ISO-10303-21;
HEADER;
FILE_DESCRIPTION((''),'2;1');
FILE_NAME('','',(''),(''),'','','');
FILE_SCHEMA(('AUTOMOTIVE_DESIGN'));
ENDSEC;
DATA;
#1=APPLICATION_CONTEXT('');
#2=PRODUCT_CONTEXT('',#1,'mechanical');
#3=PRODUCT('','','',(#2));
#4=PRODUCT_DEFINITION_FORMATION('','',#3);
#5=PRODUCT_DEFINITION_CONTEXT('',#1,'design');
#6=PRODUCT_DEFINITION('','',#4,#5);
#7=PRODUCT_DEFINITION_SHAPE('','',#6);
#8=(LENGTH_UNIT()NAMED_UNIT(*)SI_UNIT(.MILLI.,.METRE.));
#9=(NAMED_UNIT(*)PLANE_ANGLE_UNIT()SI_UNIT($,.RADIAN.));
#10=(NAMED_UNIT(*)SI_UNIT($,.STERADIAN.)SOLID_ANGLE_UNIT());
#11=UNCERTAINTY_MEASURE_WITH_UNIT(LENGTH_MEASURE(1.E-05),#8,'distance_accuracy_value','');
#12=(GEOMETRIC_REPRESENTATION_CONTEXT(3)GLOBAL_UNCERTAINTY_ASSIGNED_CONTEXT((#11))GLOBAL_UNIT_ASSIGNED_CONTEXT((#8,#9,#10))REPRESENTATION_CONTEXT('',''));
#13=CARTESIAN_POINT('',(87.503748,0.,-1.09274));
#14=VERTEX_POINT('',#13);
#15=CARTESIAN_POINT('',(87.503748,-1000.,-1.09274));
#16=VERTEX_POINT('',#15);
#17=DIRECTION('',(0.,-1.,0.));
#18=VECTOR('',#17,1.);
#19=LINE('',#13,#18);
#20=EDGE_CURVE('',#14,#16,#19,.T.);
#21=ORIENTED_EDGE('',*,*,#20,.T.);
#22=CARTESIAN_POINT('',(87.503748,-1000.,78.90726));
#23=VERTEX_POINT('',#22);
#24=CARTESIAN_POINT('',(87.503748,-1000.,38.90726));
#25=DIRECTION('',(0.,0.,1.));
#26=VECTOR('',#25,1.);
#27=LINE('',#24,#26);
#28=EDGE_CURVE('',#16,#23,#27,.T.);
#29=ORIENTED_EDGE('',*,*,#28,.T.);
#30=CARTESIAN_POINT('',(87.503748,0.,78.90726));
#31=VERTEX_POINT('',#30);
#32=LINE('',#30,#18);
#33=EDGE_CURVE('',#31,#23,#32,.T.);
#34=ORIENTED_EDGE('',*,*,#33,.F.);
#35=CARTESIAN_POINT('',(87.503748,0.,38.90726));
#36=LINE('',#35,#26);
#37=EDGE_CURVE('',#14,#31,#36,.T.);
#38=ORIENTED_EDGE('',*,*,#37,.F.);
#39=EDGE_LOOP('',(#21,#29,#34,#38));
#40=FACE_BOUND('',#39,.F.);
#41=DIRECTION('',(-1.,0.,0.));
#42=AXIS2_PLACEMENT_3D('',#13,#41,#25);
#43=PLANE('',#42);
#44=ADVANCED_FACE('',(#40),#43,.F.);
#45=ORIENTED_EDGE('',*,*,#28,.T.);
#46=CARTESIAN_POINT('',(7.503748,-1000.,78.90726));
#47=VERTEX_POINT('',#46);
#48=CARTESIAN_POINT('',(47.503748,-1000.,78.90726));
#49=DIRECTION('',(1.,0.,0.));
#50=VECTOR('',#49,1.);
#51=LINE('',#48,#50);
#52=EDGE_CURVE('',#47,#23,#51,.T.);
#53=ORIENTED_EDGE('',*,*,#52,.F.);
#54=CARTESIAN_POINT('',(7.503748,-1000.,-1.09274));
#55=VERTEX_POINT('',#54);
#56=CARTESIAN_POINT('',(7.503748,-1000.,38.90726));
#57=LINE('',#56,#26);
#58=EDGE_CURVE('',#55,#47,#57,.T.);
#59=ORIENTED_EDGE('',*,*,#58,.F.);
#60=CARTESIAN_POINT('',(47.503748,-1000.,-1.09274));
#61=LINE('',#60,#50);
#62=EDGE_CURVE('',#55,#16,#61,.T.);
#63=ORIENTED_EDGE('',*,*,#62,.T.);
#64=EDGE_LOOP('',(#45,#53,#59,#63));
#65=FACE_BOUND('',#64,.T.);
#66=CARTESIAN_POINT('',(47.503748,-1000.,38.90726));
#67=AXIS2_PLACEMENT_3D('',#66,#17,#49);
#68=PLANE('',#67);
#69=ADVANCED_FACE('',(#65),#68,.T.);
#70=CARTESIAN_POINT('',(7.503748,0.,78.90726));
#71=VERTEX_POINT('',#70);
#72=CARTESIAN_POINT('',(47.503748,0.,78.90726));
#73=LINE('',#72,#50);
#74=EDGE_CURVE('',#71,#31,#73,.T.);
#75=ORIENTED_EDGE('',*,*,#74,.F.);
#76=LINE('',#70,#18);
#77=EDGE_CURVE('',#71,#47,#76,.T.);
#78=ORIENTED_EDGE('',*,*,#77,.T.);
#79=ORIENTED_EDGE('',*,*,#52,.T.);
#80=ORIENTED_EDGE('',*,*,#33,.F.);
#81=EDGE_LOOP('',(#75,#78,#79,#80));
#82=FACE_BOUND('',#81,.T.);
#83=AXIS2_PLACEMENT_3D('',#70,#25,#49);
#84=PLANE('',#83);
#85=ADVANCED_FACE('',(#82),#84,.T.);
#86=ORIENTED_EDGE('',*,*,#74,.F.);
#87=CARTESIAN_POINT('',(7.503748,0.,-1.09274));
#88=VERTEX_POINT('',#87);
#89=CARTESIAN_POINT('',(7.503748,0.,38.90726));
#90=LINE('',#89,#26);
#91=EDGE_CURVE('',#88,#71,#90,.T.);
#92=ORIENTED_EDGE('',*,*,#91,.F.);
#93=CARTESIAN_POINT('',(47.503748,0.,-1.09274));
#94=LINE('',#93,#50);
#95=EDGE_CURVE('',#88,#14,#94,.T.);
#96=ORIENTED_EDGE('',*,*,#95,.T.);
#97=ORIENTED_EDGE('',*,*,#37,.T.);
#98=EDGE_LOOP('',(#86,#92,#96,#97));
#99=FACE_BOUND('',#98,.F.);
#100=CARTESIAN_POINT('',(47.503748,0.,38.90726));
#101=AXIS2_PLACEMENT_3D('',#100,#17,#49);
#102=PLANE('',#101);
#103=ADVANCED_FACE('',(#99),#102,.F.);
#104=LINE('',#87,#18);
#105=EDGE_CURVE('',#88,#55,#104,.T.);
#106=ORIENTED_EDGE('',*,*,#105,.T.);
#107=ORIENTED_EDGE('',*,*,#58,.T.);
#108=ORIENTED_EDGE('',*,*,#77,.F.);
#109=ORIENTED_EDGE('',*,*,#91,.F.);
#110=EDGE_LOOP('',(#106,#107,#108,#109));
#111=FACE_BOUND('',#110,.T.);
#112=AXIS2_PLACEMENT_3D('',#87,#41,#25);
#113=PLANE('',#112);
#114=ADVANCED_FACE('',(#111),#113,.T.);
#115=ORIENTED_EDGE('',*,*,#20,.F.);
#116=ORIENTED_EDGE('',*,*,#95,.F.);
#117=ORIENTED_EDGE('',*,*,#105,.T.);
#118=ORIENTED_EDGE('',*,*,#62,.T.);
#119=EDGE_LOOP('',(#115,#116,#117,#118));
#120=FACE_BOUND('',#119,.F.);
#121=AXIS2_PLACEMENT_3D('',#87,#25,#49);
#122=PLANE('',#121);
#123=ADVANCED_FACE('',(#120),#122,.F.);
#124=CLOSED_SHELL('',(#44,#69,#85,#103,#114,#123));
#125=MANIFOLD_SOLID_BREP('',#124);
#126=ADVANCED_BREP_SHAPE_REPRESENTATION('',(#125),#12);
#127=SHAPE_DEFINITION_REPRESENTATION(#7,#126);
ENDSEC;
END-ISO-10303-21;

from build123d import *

# Parameters (mm, degrees)
F0_W     = 80
F0_H     = 80
F1_DEPTH = 1000
F2_DEPTH = 1000


with BuildPart() as f1:
    # F0 (on Front) → F1 (new body)
    with BuildSketch(Plane.XZ):
        with Locations((47.503748, 38.90726)):
            Rectangle(F0_W, F0_H)
    extrude(amount=F1_DEPTH)

    # F0 (on Front) → F2 (join)
    with BuildSketch(Plane.XZ):
        with Locations((47.503748, 38.90726)):
            Rectangle(F0_W, F0_H)
    extrude(amount=F2_DEPTH)


solid = f1.part
